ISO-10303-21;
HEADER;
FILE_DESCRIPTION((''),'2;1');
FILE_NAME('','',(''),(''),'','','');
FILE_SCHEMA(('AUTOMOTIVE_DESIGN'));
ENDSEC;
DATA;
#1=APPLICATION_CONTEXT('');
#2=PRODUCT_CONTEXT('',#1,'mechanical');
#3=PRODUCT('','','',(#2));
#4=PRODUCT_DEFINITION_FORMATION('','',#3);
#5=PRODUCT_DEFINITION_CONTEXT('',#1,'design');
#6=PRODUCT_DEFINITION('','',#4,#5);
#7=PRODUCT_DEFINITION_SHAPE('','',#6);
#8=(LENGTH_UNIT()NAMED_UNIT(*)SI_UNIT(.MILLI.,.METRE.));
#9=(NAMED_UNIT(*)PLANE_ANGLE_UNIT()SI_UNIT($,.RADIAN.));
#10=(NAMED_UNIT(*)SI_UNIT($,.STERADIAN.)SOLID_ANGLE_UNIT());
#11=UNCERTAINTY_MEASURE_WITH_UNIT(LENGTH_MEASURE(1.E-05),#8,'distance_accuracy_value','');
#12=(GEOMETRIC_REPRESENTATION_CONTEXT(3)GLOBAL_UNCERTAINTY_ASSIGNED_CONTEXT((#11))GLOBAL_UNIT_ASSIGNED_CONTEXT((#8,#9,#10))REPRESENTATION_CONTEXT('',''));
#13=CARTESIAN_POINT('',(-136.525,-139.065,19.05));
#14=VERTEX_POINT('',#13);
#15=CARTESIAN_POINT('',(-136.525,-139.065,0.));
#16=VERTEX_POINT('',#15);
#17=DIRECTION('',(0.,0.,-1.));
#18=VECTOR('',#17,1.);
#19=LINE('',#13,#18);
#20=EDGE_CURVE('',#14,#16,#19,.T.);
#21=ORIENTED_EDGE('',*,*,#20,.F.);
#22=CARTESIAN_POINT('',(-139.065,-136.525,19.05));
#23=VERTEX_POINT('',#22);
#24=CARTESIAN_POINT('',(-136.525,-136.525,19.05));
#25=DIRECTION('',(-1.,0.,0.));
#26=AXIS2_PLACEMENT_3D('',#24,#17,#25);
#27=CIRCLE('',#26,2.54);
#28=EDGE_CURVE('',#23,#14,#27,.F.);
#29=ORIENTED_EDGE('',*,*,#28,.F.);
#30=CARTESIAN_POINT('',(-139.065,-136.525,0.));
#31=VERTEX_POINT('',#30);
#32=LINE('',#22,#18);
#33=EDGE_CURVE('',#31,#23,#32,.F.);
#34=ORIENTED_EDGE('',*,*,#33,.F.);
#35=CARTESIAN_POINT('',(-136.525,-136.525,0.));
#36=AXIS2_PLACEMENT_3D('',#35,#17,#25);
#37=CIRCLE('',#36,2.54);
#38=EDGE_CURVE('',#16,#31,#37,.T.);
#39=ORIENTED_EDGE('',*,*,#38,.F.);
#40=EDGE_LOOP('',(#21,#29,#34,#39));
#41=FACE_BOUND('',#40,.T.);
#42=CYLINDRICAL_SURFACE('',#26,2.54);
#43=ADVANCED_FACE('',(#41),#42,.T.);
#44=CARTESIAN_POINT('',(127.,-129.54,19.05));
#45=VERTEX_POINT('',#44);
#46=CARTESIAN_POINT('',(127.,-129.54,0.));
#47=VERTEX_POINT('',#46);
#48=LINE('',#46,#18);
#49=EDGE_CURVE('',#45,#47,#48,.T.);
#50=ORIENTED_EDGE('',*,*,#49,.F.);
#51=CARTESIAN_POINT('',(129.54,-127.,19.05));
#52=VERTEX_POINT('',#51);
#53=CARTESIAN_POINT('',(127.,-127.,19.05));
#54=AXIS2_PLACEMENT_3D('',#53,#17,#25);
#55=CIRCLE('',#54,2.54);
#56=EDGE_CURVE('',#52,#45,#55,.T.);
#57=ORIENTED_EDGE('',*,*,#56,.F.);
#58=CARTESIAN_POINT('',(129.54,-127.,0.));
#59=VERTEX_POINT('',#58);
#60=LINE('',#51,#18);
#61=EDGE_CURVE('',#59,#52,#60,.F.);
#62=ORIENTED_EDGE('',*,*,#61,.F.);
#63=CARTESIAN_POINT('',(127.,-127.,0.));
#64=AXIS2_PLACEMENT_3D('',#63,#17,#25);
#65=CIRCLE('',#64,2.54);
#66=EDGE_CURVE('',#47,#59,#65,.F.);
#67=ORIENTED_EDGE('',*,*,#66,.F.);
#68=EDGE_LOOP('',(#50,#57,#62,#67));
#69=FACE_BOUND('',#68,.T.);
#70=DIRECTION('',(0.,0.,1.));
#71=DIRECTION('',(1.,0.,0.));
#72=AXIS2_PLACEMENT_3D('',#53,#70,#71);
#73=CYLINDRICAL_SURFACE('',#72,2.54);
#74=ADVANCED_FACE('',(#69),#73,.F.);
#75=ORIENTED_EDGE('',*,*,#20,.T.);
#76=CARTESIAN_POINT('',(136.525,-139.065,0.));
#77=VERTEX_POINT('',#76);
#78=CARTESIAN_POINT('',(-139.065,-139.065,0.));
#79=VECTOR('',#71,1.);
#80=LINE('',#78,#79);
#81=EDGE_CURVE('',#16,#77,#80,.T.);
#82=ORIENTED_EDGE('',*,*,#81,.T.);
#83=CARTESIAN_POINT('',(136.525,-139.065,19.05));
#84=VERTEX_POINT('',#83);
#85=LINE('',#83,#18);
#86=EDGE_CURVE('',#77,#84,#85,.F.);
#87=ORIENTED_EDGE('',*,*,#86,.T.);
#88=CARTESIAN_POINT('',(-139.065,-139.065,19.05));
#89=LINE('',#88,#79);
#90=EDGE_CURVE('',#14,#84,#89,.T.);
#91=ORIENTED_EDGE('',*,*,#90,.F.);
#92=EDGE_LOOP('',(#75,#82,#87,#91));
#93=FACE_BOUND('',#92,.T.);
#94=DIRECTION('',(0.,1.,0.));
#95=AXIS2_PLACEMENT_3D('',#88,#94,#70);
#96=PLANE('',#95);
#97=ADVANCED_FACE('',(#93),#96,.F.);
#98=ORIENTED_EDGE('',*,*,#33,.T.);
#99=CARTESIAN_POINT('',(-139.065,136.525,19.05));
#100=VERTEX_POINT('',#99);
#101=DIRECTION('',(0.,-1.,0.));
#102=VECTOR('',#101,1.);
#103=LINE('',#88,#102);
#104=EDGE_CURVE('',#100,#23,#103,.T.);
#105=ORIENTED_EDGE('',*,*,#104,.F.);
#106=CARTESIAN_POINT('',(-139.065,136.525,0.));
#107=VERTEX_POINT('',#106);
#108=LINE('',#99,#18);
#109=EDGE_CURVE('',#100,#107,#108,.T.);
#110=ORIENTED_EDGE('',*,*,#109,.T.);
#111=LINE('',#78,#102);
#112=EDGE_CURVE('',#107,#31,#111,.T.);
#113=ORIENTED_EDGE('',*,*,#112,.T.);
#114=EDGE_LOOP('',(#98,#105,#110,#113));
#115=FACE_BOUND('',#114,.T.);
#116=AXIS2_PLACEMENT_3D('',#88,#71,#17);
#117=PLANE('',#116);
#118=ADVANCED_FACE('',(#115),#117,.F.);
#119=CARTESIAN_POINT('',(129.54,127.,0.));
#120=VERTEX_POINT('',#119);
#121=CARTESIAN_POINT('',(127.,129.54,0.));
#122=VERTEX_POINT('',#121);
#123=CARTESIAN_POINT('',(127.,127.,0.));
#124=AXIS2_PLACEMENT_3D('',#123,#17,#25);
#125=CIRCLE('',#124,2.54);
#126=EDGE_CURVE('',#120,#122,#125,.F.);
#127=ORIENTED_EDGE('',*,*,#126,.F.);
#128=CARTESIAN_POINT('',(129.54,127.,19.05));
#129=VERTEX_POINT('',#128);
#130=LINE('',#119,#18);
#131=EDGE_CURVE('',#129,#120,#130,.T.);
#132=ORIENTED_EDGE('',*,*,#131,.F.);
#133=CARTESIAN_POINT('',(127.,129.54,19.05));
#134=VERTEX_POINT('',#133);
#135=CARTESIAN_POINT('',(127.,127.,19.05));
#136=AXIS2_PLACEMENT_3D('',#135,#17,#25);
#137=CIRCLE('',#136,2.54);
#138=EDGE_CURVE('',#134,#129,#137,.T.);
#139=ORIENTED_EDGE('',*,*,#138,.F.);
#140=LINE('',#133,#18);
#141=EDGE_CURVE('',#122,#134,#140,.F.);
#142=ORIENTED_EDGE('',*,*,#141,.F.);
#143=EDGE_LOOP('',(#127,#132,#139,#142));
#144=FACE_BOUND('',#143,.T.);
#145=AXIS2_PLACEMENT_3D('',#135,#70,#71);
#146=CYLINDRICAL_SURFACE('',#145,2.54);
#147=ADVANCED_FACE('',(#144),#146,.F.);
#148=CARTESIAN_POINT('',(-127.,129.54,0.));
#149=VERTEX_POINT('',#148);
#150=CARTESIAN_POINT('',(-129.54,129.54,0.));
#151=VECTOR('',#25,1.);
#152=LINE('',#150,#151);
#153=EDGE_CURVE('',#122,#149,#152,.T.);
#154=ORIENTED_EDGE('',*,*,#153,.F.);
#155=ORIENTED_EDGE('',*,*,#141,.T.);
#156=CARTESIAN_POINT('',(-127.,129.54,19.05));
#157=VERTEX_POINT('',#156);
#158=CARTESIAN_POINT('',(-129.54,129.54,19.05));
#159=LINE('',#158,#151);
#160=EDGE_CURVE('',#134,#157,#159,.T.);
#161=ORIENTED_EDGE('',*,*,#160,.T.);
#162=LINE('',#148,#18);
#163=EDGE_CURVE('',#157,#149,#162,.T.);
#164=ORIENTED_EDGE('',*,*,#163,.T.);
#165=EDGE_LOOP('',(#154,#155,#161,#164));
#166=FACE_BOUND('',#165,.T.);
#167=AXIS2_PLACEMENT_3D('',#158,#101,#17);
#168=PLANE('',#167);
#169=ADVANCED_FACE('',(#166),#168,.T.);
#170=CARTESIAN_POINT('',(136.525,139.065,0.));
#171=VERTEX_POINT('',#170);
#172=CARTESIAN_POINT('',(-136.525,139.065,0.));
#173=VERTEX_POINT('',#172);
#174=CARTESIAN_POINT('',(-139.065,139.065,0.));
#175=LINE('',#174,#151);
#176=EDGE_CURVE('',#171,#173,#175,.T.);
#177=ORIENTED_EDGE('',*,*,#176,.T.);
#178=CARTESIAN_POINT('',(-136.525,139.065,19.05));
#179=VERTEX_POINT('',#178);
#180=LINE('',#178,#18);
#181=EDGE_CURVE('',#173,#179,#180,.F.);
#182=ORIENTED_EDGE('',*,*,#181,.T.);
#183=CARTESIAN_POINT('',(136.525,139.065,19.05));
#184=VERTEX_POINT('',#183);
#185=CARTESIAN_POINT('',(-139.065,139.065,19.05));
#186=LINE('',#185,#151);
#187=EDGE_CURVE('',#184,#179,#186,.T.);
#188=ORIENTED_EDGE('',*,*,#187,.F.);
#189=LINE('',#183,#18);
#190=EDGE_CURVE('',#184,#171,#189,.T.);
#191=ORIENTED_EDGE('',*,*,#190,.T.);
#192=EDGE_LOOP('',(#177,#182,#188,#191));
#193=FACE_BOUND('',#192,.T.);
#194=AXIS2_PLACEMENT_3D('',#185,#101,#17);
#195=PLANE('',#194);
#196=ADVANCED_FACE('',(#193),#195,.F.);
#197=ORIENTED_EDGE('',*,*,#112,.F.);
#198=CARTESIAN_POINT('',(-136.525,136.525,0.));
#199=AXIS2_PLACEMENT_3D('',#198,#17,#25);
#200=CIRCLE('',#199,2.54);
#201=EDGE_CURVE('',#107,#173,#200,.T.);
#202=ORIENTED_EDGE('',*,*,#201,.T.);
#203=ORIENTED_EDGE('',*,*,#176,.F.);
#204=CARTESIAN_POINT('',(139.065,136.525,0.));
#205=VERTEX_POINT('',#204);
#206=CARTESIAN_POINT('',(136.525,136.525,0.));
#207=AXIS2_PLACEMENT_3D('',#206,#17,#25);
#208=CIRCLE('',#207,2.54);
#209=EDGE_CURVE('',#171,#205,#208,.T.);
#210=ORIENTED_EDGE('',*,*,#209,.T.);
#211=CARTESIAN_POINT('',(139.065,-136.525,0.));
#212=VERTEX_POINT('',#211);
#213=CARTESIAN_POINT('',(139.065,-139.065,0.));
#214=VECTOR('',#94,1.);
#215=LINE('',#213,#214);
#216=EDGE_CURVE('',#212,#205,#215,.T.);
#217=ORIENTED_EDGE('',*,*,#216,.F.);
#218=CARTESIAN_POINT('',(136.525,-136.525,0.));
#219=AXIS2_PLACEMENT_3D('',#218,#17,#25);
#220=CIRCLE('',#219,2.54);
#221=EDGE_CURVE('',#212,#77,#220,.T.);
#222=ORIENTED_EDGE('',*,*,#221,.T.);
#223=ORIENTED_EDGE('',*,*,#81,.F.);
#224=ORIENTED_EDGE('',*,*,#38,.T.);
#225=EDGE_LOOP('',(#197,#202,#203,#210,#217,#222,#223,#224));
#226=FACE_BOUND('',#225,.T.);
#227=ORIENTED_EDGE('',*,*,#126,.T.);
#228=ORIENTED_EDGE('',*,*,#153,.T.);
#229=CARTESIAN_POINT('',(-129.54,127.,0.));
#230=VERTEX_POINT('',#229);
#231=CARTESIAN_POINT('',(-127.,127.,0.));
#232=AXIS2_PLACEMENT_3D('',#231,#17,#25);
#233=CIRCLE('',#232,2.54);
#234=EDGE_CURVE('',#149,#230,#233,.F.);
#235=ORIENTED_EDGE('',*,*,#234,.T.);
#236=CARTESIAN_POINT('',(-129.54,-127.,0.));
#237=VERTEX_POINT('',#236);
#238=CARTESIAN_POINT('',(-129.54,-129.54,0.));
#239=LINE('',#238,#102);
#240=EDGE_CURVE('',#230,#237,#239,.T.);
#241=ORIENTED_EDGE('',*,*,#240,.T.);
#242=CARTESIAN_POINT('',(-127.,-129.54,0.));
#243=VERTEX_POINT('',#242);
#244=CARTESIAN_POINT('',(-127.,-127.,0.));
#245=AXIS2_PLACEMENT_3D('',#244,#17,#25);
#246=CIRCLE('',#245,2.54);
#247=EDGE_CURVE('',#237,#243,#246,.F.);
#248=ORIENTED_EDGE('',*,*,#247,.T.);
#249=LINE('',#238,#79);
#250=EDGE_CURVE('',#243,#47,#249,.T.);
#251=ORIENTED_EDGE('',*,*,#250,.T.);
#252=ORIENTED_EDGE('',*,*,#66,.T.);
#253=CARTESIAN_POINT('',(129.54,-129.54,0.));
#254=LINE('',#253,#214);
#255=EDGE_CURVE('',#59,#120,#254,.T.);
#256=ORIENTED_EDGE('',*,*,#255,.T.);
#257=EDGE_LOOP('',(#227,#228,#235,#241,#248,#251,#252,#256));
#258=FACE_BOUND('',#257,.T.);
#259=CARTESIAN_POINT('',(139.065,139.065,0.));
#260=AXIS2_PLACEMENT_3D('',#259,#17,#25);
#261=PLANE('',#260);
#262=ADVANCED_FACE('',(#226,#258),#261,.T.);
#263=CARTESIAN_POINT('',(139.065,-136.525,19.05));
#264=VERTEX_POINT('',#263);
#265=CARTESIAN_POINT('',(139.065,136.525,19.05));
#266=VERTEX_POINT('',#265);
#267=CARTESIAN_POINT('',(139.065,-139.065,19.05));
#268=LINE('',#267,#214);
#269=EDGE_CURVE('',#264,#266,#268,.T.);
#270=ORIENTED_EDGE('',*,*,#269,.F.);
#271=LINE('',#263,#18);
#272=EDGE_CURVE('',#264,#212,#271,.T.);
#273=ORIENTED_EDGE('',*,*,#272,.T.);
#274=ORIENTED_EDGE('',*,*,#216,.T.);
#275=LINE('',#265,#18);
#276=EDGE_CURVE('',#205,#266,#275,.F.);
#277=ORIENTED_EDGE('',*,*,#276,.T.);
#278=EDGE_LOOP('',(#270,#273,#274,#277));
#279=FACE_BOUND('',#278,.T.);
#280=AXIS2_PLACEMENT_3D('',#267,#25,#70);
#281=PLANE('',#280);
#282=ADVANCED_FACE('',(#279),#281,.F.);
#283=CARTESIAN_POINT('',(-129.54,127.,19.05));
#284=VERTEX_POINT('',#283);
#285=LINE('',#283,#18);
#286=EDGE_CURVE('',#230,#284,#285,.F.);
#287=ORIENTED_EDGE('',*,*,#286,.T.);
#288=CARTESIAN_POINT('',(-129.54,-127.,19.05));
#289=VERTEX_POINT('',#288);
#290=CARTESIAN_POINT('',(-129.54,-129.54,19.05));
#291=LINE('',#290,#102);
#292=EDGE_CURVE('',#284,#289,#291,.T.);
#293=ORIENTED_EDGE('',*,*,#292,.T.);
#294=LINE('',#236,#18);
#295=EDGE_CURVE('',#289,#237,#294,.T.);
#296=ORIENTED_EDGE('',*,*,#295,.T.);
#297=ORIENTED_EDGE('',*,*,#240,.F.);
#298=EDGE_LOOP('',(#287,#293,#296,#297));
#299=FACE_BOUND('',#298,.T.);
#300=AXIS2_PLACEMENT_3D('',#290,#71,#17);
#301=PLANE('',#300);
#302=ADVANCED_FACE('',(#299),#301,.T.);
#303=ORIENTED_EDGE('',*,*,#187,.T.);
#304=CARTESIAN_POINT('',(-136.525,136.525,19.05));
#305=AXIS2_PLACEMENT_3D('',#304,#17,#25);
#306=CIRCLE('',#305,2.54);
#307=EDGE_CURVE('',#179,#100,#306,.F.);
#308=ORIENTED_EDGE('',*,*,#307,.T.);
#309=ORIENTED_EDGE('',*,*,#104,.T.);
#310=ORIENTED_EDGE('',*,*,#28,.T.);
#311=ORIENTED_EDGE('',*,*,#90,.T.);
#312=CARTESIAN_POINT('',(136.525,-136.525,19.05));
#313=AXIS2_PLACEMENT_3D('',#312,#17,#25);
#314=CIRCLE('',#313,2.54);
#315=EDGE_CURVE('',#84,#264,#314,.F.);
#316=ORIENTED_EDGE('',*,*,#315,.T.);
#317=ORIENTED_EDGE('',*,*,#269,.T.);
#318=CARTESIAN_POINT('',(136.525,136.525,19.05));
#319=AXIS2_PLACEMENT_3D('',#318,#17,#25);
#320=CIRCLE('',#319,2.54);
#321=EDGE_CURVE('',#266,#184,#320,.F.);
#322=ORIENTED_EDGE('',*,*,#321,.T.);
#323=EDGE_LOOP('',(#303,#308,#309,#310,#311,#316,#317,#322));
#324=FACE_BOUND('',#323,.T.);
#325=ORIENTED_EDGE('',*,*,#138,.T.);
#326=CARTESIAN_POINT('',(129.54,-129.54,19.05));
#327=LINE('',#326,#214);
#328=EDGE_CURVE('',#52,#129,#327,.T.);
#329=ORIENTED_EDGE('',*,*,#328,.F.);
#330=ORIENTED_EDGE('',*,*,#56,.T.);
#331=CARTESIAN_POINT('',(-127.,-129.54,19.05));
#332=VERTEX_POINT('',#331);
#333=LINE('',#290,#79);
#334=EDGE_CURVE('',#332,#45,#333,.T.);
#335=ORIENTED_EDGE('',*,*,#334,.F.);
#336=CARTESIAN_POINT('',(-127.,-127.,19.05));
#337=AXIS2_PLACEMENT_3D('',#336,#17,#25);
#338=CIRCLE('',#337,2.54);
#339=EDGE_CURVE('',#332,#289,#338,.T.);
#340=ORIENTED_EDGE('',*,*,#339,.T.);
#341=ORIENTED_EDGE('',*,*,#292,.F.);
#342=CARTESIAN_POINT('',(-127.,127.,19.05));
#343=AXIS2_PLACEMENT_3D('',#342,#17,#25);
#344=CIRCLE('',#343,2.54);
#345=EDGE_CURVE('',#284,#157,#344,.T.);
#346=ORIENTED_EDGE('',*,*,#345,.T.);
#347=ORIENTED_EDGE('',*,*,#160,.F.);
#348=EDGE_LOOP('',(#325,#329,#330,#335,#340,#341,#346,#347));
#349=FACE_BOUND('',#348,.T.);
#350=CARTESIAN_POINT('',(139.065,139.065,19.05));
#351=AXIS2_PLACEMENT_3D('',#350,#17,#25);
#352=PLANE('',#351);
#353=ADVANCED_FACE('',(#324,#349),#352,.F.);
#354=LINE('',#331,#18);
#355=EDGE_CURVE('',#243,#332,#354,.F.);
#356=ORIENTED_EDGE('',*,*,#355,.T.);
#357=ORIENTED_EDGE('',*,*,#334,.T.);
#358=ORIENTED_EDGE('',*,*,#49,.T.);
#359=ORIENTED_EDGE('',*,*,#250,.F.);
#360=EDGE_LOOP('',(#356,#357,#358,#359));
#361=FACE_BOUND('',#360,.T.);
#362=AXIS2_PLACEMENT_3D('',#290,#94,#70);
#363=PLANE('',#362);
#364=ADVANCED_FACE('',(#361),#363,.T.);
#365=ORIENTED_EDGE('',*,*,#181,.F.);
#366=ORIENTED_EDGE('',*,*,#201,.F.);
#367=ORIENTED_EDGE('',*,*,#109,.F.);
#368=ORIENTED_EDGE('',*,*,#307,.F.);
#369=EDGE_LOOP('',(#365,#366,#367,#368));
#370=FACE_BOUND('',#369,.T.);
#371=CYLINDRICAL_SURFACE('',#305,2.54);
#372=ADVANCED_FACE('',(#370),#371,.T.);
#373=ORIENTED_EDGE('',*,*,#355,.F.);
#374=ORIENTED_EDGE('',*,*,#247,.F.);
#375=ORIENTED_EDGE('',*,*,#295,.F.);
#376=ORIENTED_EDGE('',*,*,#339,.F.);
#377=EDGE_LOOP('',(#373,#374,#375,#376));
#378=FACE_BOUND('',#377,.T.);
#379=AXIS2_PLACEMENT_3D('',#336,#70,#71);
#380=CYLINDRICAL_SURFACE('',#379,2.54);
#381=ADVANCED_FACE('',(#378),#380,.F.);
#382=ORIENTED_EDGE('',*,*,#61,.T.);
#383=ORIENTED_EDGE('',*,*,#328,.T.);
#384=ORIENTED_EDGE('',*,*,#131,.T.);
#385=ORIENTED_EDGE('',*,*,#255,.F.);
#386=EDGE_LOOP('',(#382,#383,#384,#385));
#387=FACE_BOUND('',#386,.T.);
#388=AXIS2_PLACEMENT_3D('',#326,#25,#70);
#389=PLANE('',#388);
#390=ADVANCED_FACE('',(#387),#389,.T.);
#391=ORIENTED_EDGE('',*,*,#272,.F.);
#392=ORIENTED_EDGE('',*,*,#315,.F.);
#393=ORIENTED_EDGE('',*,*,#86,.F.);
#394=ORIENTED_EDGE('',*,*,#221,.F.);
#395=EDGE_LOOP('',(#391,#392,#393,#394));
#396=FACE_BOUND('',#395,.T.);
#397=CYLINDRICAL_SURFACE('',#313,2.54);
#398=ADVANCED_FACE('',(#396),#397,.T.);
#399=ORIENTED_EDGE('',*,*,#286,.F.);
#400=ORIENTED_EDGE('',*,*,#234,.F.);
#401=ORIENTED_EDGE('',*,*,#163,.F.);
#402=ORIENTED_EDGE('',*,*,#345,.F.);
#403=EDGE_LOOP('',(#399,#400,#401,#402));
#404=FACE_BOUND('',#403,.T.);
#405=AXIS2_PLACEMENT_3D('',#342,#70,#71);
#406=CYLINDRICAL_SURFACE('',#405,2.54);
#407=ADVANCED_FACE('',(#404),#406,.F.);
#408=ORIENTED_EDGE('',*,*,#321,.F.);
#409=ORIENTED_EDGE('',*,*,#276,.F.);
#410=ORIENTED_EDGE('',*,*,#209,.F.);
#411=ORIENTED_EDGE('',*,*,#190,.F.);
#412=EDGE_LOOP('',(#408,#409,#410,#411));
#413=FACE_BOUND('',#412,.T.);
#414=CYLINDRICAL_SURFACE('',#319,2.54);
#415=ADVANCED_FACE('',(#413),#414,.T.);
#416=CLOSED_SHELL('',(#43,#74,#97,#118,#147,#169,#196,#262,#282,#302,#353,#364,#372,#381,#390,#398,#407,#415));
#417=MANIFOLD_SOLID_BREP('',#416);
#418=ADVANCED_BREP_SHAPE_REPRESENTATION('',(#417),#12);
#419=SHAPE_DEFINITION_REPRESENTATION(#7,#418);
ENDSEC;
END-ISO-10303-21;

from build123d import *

# Parameters (mm, degrees)
SKETCH1_W           = 278.13
SKETCH1_H           = 278.13
SKETCH1_W_2         = 259.08
SKETCH1_H_2         = 259.08
BOSS_EXTRUDE1_DEPTH = 19.05
FILLET1_R           = 2.54


with BuildPart() as part:
    # Sketch1 → Boss-Extrude1 (new body)
    with BuildSketch(Plane.XY):
        Rectangle(SKETCH1_W, SKETCH1_H)
        Rectangle(SKETCH1_W_2, SKETCH1_H_2, mode=Mode.SUBTRACT)
    extrude(amount=BOSS_EXTRUDE1_DEPTH)

    # Fillet1
    fillet1_edges = [part.edges().sort_by_distance(p)[0] for p in [
        (129.54, -129.54, 9.525),
        (129.54, 129.54, 9.525),
        (-129.54, 129.54, 9.525),
        (-129.54, -129.54, 9.525),
        (139.065, -139.065, 9.525),
        (-139.065, -139.065, 9.525),
        (-139.065, 139.065, 9.525),
        (139.065, 139.065, 9.525),
    ]]
    fillet(fillet1_edges, radius=FILLET1_R)


solid = part.part
